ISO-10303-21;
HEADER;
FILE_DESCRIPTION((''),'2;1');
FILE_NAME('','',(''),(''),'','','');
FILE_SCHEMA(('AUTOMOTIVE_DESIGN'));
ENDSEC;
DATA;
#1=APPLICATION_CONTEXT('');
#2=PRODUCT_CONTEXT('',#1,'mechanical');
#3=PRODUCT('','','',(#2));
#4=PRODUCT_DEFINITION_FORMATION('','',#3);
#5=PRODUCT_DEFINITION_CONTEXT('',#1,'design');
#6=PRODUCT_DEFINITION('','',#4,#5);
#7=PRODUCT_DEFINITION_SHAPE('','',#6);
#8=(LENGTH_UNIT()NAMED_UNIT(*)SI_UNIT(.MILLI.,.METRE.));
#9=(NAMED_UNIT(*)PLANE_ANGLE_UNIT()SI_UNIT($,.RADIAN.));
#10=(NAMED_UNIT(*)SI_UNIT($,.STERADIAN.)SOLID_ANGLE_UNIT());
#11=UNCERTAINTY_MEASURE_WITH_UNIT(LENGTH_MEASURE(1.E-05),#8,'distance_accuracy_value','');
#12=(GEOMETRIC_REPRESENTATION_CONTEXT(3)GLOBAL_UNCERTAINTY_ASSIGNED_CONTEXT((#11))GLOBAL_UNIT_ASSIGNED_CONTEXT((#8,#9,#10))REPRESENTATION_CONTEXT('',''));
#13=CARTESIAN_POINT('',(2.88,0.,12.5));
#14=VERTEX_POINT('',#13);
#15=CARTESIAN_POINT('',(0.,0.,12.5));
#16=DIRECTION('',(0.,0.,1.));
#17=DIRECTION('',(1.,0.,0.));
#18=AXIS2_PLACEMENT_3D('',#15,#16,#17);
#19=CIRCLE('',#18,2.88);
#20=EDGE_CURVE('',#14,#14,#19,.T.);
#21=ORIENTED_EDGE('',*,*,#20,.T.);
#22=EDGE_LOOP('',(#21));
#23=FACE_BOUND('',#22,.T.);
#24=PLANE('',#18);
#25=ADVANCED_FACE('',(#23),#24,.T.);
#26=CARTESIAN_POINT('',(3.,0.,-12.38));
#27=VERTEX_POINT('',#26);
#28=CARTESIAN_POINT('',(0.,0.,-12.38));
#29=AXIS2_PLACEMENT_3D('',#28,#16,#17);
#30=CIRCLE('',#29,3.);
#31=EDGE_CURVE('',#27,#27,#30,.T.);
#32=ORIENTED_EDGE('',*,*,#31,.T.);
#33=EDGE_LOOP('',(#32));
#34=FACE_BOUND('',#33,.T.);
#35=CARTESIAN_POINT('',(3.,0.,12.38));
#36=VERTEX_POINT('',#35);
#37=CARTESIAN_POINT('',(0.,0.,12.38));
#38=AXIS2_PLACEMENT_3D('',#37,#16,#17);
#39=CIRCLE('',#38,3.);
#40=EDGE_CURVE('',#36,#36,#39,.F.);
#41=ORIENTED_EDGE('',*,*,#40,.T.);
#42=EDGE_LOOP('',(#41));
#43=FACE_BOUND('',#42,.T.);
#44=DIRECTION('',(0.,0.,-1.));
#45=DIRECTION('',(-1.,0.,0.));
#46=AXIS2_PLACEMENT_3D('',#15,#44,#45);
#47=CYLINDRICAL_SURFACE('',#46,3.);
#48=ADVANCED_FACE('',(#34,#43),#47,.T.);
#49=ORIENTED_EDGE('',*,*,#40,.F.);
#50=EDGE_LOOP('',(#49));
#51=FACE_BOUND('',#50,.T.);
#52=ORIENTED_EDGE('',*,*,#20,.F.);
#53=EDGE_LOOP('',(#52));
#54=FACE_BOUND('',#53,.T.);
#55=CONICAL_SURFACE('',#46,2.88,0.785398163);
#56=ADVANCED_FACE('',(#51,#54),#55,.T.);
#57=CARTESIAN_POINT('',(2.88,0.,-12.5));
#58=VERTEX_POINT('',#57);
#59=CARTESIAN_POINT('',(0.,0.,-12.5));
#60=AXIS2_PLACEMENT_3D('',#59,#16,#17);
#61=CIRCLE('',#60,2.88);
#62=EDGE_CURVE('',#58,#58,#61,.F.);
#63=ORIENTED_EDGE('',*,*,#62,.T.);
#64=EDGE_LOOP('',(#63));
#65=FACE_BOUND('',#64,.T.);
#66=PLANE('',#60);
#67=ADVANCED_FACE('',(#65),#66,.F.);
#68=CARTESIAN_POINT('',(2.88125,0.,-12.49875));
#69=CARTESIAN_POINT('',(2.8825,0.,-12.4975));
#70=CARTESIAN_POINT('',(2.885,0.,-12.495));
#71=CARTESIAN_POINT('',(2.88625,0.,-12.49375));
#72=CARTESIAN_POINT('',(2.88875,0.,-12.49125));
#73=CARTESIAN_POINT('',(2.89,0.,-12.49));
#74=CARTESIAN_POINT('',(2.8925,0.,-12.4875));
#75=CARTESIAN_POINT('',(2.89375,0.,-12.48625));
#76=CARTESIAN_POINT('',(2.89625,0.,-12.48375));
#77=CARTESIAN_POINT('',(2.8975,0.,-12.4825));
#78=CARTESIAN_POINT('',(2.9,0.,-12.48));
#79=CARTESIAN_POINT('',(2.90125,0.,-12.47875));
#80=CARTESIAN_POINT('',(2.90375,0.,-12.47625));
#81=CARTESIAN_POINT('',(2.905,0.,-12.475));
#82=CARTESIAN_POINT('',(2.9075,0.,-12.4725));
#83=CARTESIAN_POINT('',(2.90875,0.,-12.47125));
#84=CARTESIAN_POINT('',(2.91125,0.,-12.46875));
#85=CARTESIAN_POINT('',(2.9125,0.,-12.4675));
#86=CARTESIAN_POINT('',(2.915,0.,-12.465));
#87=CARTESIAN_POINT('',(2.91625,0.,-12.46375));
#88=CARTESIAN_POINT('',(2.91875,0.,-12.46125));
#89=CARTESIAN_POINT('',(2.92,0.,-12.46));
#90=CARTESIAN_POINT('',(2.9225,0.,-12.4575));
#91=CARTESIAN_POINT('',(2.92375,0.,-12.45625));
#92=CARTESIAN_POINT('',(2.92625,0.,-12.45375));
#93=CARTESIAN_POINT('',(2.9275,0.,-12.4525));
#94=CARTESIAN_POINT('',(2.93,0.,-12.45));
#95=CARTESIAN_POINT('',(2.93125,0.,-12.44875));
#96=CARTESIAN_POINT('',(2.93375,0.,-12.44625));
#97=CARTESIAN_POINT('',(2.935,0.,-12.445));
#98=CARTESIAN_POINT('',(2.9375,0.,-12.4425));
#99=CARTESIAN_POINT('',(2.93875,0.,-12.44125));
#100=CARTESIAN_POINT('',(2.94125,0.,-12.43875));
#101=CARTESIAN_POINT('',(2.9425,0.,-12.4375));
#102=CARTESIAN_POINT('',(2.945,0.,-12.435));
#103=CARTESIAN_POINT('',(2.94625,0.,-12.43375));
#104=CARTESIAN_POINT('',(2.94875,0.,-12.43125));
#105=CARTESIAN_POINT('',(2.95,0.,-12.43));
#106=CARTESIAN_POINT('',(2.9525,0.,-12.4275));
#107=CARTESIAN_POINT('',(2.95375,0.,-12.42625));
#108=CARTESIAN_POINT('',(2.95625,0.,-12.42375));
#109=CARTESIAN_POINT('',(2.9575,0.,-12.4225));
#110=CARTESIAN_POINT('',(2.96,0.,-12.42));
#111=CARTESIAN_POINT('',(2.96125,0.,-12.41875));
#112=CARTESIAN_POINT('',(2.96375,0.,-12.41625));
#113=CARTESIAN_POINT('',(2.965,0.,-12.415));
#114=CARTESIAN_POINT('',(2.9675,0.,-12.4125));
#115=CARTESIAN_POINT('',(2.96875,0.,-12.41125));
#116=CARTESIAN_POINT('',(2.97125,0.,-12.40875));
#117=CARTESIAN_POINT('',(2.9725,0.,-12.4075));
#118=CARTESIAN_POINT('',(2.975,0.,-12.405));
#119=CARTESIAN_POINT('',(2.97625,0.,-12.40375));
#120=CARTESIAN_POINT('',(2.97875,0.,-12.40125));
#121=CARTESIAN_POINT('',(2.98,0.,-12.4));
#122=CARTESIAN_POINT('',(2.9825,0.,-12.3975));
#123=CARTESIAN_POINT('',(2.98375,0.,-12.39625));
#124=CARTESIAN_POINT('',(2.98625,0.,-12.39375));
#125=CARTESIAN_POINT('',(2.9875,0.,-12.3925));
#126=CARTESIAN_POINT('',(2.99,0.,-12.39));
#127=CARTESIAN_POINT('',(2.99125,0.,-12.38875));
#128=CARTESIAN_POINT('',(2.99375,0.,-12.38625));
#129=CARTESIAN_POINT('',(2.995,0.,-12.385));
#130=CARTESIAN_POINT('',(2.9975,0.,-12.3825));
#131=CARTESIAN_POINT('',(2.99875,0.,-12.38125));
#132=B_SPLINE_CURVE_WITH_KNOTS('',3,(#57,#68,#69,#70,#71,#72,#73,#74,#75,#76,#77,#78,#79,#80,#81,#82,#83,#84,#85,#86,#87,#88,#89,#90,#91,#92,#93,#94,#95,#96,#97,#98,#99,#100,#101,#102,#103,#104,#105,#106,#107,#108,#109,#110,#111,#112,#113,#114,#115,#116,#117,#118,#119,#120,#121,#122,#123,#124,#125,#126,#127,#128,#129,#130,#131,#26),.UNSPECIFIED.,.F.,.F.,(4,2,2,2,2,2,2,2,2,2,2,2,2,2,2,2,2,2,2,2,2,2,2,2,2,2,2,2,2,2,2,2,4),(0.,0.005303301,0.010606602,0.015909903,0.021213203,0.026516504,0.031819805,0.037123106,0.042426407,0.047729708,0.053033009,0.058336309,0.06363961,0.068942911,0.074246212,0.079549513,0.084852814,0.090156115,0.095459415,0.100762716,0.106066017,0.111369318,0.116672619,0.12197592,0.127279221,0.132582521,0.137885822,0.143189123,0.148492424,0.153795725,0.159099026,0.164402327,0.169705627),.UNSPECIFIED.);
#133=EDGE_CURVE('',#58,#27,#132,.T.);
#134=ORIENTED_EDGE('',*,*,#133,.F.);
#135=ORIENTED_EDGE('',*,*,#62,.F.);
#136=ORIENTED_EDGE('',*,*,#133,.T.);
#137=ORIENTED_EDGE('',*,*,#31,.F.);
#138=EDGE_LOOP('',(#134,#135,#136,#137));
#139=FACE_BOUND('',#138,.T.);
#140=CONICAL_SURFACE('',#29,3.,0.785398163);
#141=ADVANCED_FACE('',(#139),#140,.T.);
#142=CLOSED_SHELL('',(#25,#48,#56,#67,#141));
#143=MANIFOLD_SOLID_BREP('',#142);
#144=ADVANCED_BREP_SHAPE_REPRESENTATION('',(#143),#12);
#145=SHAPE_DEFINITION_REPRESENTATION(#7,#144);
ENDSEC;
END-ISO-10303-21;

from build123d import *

# Parameters (mm, degrees)
BOSS_EXTRUDE1_DEPTH      = 12.5
BOSS_EXTRUDE1_DEPTH_BACK = 12.5
SKETCH2_R                = 3
CHAMFER1_SIZE            = 0.12


with BuildPart() as part:
    # Sketch2 → Boss-Extrude1 (new, two sides: drawn at the far end of the back side and taken through both)
    with BuildSketch(Plane.XY.offset(-BOSS_EXTRUDE1_DEPTH_BACK)):
        Circle(SKETCH2_R)
    extrude(amount=BOSS_EXTRUDE1_DEPTH + BOSS_EXTRUDE1_DEPTH_BACK)

    # Chamfer1
    chamfer1_edges = [part.edges().sort_by_distance(p)[0] for p in [
        (-3, 0, -12.5),
        (-3, 0, 12.5),
    ]]
    chamfer(chamfer1_edges, length=CHAMFER1_SIZE)


solid = part.part
